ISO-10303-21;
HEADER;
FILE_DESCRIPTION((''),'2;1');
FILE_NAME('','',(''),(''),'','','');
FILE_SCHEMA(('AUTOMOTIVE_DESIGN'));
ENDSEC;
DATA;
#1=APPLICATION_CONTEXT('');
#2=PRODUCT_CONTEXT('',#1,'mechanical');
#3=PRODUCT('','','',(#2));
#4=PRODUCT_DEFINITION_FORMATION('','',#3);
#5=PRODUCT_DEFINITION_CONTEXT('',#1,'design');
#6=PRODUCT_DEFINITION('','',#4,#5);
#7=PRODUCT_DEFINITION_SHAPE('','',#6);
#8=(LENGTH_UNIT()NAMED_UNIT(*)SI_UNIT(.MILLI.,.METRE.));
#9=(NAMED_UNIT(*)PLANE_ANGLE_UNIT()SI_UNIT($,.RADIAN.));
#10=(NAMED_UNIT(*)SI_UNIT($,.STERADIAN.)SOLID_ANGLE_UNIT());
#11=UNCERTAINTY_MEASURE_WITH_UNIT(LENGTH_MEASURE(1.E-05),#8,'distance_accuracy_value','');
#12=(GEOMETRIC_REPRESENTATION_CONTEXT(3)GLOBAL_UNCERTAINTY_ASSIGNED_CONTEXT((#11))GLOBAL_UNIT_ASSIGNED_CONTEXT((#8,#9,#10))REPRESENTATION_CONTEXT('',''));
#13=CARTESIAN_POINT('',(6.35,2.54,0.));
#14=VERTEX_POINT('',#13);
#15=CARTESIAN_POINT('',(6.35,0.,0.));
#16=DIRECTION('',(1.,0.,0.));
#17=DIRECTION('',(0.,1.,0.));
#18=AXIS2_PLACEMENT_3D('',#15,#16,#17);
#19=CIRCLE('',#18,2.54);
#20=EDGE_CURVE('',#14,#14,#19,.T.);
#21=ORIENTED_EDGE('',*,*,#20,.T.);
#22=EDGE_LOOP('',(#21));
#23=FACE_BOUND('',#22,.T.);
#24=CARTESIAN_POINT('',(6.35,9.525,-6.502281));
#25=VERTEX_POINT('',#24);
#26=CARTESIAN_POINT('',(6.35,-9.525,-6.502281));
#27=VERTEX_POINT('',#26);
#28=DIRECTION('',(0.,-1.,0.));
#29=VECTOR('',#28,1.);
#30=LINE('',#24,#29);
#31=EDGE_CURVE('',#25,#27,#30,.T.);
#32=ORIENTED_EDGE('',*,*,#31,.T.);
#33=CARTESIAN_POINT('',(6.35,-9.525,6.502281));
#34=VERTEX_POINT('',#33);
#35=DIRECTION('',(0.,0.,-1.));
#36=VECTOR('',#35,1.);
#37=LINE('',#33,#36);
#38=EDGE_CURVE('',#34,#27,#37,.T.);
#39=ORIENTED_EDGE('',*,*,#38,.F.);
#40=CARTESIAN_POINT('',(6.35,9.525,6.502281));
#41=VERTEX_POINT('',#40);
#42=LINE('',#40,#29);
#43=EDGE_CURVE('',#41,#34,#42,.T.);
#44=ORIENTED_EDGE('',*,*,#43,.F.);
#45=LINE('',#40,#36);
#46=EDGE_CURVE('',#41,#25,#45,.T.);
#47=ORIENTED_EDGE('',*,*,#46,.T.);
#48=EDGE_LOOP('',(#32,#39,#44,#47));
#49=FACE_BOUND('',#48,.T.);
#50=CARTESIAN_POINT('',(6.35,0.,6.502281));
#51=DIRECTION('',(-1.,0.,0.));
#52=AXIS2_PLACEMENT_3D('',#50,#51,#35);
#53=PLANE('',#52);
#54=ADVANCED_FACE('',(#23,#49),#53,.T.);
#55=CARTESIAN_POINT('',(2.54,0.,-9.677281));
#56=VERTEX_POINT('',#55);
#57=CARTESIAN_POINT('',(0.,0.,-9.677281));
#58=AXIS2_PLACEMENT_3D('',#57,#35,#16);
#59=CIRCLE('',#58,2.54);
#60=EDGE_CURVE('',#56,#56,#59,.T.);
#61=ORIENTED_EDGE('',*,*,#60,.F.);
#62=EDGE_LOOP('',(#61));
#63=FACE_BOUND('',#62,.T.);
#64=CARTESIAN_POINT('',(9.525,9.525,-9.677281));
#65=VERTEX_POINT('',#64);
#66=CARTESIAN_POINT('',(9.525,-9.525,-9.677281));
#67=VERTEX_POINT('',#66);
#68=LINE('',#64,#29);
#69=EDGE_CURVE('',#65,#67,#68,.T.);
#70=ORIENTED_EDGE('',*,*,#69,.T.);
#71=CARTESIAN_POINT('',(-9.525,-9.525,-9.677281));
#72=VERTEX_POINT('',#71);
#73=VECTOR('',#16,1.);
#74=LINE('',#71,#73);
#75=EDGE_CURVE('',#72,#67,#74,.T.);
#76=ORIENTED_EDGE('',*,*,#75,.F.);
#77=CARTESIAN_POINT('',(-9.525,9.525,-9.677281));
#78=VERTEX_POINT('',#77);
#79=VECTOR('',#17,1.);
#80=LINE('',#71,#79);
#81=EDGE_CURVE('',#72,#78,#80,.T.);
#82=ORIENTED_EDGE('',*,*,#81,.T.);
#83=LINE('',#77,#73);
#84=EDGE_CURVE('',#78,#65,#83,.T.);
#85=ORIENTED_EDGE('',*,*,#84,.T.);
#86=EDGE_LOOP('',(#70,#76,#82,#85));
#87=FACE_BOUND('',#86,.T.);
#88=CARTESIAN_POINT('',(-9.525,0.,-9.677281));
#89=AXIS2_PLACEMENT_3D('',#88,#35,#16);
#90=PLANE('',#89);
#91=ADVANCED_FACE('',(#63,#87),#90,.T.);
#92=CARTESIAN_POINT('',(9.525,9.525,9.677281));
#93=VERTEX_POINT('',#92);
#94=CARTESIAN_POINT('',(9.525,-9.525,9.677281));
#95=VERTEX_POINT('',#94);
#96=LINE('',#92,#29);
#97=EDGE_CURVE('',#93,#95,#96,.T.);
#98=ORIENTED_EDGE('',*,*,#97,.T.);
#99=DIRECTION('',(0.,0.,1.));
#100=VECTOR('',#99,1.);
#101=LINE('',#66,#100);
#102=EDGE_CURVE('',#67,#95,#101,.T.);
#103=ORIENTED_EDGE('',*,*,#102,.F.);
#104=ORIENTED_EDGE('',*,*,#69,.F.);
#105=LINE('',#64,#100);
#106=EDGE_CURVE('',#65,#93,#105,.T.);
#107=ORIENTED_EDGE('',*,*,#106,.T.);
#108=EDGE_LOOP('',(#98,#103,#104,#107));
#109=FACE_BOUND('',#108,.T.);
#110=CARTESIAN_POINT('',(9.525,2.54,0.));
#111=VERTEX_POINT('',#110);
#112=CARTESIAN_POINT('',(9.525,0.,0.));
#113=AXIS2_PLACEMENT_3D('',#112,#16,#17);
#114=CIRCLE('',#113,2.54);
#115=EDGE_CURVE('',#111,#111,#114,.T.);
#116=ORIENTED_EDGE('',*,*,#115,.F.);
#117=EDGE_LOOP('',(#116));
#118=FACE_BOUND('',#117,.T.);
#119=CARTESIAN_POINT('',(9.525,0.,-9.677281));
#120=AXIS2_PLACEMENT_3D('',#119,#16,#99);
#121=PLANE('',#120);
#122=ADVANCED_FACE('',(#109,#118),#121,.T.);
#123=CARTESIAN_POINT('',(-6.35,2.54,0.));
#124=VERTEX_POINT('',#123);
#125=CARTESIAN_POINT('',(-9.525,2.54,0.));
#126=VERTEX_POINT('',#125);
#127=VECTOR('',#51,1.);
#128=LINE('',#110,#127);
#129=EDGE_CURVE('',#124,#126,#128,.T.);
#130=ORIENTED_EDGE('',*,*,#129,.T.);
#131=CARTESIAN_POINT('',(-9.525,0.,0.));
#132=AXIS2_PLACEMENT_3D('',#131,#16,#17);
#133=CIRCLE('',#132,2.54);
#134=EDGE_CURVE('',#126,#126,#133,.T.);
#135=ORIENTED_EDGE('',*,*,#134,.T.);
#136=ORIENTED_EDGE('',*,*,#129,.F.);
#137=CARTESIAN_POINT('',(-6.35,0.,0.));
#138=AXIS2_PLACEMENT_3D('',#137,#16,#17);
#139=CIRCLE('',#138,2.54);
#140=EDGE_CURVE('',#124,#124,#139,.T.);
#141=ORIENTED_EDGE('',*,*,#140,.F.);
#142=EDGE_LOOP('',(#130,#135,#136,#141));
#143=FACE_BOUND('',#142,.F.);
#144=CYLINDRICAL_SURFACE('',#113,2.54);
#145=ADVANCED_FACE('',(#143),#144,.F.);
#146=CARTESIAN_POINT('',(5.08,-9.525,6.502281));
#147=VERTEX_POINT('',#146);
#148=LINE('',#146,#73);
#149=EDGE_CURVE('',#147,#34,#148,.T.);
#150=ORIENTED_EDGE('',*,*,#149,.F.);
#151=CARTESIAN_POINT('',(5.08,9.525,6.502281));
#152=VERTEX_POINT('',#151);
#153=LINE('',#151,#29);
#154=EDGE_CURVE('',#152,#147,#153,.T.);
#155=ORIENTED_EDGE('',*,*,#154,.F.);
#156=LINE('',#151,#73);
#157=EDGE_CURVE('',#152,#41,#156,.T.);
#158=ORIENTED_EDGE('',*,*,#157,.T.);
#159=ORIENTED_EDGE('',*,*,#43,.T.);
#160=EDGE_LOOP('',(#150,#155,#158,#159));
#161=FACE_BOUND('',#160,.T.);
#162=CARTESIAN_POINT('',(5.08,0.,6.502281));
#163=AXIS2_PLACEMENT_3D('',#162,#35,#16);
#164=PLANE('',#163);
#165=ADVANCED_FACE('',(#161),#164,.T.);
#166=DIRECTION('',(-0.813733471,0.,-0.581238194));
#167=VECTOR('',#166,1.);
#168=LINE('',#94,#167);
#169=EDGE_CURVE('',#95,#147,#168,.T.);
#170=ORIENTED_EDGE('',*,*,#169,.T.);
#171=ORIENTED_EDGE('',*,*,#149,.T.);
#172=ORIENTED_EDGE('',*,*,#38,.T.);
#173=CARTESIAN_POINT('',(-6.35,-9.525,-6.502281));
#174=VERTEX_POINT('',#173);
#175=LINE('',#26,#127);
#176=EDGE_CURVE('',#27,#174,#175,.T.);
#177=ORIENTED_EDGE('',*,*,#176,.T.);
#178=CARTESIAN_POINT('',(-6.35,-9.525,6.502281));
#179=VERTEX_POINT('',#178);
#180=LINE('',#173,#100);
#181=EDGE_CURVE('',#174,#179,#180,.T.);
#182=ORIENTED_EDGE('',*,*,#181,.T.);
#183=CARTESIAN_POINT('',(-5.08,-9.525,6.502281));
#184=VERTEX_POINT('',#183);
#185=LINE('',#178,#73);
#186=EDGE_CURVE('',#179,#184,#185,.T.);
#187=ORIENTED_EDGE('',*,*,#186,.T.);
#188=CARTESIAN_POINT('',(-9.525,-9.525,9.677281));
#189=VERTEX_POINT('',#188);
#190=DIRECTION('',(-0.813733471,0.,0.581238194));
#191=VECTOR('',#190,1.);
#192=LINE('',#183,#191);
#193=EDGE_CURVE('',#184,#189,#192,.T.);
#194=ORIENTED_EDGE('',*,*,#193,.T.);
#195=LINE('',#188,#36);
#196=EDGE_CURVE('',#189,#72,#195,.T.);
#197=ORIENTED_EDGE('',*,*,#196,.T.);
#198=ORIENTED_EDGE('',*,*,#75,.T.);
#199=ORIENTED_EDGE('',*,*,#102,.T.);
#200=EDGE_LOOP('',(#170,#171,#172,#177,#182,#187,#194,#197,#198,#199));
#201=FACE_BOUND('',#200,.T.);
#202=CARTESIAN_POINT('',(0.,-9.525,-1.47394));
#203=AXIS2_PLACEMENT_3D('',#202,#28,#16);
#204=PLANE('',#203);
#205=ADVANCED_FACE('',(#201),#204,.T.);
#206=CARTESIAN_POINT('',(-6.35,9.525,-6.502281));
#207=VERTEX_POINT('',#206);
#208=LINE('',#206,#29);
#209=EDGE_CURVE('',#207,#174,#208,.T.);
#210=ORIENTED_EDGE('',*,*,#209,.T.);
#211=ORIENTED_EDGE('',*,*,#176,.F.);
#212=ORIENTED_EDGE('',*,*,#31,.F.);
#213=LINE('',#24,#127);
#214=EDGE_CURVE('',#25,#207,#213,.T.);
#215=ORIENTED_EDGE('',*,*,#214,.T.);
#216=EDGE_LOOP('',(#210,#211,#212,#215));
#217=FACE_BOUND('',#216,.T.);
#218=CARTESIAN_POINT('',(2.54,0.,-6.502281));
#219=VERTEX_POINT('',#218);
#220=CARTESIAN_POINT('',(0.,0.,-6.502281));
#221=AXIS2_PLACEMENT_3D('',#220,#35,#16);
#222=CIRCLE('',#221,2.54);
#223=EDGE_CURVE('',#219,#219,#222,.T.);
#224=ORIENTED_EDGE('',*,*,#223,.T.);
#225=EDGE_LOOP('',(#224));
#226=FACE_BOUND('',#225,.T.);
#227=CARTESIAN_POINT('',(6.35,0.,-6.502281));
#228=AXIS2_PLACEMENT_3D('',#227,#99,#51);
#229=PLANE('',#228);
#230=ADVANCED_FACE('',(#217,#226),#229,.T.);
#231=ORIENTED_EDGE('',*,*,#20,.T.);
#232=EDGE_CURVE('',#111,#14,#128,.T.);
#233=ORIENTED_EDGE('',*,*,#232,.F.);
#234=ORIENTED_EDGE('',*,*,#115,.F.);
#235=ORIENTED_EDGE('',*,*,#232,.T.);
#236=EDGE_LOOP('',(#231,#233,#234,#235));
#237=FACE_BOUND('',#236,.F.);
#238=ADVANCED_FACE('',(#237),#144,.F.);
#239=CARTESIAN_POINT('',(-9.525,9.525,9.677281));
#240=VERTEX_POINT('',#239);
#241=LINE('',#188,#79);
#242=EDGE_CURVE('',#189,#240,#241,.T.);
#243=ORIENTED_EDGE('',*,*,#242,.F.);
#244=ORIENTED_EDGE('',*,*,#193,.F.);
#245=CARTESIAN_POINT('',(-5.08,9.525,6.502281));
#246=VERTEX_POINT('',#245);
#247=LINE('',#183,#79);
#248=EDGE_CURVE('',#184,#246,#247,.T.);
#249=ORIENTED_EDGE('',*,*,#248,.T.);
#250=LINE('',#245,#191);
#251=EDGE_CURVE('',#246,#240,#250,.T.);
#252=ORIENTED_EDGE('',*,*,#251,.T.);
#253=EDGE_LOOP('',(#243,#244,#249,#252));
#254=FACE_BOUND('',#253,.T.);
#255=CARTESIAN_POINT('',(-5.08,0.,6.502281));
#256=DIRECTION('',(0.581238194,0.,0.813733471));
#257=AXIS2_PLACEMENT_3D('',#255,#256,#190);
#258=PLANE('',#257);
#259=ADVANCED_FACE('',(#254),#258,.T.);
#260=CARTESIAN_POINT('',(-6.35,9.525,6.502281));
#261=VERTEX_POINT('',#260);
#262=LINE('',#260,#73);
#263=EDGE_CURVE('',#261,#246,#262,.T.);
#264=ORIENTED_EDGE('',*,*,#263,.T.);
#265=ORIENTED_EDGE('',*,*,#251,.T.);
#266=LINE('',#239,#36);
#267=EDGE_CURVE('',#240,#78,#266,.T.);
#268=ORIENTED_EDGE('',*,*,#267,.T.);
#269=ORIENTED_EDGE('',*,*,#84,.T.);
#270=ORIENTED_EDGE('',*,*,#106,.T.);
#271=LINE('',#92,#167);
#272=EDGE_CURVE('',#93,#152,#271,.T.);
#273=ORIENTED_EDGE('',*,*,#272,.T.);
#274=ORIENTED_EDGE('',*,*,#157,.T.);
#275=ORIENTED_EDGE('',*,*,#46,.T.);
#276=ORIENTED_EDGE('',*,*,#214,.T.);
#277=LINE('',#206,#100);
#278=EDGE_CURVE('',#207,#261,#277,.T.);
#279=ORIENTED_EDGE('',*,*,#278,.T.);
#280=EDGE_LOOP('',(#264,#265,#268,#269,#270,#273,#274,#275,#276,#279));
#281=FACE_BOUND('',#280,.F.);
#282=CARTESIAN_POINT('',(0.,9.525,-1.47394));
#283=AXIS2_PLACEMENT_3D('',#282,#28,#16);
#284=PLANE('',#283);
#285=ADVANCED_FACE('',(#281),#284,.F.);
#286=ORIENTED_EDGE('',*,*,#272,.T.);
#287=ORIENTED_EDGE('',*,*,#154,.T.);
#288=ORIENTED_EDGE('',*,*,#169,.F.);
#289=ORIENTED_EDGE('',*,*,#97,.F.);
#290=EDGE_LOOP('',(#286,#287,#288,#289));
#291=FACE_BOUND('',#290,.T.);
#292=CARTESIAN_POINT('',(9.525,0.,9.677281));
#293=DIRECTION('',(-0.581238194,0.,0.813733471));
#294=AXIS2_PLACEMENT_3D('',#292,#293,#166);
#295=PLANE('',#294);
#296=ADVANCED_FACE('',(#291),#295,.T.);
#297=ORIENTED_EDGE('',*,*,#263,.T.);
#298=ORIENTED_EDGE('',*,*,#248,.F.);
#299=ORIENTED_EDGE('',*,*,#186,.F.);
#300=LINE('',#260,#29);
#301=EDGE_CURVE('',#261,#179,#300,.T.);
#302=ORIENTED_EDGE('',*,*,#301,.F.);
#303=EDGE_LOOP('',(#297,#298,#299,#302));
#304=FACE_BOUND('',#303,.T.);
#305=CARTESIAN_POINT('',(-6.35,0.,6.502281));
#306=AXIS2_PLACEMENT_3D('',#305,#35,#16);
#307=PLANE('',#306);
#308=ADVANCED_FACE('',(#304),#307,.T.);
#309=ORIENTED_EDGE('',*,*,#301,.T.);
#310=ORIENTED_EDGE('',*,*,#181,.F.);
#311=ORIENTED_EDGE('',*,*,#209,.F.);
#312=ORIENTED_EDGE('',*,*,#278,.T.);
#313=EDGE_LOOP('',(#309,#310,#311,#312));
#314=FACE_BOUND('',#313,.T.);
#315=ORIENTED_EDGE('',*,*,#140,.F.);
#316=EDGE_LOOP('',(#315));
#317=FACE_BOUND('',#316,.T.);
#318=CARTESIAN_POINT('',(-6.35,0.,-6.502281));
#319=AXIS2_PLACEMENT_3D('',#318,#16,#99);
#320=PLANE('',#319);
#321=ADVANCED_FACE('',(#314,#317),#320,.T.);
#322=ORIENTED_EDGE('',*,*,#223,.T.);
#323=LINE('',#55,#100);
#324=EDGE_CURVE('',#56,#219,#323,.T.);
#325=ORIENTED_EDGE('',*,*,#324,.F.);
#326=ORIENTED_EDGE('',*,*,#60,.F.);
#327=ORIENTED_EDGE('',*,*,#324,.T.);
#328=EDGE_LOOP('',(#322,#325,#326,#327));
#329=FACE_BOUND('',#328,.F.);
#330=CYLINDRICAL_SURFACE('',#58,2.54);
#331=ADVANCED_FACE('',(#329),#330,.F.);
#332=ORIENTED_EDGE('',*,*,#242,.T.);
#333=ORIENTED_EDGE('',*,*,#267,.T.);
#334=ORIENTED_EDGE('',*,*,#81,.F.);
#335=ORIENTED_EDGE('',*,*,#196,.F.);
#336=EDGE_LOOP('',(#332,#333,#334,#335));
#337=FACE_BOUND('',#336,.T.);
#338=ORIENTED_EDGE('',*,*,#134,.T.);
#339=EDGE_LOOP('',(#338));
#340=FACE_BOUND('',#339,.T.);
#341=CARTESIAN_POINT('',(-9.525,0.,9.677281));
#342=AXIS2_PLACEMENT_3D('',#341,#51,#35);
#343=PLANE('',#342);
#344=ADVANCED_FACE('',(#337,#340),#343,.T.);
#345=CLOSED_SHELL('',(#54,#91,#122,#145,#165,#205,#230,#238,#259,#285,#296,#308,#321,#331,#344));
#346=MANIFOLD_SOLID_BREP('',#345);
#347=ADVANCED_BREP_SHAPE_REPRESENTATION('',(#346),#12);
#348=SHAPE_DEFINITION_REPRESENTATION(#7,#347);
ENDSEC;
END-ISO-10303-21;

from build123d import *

# Parameters (mm, degrees)
F1_DEPTH = 9.525
F2_R     = 2.54
F3_DEPTH = 19.355562
F4_R     = 2.54
F5_DEPTH = 19.051


with BuildPart() as f1:
    # F0 (on Front) → F1 (new body, symmetric)
    with BuildSketch(Plane.XZ):
        Polygon((-9.525, -9.677281), (9.525, -9.677281), (9.525, 9.677281), (5.08, 6.502281), (6.35, 6.502281), (6.35, -6.502281), (-6.35, -6.502281), (-6.35, 6.502281), (-5.08, 6.502281), (-9.525, 9.677281), align=None)
    extrude(amount=F1_DEPTH, both=True)

    # F2 (on face) → F3 (cut, through all)
    with BuildSketch(Plane(origin=(0, 0, -9.677281), x_dir=(1, 0, 0), z_dir=(0, 0, -1))):
        Circle(F2_R)
    extrude(amount=-F3_DEPTH, mode=Mode.SUBTRACT)

    # F4 (on face) → F5 (cut, through all)
    with BuildSketch(Plane.YZ.offset(9.525)):
        Circle(F4_R)
    extrude(amount=-F5_DEPTH, mode=Mode.SUBTRACT)


solid = f1.part
